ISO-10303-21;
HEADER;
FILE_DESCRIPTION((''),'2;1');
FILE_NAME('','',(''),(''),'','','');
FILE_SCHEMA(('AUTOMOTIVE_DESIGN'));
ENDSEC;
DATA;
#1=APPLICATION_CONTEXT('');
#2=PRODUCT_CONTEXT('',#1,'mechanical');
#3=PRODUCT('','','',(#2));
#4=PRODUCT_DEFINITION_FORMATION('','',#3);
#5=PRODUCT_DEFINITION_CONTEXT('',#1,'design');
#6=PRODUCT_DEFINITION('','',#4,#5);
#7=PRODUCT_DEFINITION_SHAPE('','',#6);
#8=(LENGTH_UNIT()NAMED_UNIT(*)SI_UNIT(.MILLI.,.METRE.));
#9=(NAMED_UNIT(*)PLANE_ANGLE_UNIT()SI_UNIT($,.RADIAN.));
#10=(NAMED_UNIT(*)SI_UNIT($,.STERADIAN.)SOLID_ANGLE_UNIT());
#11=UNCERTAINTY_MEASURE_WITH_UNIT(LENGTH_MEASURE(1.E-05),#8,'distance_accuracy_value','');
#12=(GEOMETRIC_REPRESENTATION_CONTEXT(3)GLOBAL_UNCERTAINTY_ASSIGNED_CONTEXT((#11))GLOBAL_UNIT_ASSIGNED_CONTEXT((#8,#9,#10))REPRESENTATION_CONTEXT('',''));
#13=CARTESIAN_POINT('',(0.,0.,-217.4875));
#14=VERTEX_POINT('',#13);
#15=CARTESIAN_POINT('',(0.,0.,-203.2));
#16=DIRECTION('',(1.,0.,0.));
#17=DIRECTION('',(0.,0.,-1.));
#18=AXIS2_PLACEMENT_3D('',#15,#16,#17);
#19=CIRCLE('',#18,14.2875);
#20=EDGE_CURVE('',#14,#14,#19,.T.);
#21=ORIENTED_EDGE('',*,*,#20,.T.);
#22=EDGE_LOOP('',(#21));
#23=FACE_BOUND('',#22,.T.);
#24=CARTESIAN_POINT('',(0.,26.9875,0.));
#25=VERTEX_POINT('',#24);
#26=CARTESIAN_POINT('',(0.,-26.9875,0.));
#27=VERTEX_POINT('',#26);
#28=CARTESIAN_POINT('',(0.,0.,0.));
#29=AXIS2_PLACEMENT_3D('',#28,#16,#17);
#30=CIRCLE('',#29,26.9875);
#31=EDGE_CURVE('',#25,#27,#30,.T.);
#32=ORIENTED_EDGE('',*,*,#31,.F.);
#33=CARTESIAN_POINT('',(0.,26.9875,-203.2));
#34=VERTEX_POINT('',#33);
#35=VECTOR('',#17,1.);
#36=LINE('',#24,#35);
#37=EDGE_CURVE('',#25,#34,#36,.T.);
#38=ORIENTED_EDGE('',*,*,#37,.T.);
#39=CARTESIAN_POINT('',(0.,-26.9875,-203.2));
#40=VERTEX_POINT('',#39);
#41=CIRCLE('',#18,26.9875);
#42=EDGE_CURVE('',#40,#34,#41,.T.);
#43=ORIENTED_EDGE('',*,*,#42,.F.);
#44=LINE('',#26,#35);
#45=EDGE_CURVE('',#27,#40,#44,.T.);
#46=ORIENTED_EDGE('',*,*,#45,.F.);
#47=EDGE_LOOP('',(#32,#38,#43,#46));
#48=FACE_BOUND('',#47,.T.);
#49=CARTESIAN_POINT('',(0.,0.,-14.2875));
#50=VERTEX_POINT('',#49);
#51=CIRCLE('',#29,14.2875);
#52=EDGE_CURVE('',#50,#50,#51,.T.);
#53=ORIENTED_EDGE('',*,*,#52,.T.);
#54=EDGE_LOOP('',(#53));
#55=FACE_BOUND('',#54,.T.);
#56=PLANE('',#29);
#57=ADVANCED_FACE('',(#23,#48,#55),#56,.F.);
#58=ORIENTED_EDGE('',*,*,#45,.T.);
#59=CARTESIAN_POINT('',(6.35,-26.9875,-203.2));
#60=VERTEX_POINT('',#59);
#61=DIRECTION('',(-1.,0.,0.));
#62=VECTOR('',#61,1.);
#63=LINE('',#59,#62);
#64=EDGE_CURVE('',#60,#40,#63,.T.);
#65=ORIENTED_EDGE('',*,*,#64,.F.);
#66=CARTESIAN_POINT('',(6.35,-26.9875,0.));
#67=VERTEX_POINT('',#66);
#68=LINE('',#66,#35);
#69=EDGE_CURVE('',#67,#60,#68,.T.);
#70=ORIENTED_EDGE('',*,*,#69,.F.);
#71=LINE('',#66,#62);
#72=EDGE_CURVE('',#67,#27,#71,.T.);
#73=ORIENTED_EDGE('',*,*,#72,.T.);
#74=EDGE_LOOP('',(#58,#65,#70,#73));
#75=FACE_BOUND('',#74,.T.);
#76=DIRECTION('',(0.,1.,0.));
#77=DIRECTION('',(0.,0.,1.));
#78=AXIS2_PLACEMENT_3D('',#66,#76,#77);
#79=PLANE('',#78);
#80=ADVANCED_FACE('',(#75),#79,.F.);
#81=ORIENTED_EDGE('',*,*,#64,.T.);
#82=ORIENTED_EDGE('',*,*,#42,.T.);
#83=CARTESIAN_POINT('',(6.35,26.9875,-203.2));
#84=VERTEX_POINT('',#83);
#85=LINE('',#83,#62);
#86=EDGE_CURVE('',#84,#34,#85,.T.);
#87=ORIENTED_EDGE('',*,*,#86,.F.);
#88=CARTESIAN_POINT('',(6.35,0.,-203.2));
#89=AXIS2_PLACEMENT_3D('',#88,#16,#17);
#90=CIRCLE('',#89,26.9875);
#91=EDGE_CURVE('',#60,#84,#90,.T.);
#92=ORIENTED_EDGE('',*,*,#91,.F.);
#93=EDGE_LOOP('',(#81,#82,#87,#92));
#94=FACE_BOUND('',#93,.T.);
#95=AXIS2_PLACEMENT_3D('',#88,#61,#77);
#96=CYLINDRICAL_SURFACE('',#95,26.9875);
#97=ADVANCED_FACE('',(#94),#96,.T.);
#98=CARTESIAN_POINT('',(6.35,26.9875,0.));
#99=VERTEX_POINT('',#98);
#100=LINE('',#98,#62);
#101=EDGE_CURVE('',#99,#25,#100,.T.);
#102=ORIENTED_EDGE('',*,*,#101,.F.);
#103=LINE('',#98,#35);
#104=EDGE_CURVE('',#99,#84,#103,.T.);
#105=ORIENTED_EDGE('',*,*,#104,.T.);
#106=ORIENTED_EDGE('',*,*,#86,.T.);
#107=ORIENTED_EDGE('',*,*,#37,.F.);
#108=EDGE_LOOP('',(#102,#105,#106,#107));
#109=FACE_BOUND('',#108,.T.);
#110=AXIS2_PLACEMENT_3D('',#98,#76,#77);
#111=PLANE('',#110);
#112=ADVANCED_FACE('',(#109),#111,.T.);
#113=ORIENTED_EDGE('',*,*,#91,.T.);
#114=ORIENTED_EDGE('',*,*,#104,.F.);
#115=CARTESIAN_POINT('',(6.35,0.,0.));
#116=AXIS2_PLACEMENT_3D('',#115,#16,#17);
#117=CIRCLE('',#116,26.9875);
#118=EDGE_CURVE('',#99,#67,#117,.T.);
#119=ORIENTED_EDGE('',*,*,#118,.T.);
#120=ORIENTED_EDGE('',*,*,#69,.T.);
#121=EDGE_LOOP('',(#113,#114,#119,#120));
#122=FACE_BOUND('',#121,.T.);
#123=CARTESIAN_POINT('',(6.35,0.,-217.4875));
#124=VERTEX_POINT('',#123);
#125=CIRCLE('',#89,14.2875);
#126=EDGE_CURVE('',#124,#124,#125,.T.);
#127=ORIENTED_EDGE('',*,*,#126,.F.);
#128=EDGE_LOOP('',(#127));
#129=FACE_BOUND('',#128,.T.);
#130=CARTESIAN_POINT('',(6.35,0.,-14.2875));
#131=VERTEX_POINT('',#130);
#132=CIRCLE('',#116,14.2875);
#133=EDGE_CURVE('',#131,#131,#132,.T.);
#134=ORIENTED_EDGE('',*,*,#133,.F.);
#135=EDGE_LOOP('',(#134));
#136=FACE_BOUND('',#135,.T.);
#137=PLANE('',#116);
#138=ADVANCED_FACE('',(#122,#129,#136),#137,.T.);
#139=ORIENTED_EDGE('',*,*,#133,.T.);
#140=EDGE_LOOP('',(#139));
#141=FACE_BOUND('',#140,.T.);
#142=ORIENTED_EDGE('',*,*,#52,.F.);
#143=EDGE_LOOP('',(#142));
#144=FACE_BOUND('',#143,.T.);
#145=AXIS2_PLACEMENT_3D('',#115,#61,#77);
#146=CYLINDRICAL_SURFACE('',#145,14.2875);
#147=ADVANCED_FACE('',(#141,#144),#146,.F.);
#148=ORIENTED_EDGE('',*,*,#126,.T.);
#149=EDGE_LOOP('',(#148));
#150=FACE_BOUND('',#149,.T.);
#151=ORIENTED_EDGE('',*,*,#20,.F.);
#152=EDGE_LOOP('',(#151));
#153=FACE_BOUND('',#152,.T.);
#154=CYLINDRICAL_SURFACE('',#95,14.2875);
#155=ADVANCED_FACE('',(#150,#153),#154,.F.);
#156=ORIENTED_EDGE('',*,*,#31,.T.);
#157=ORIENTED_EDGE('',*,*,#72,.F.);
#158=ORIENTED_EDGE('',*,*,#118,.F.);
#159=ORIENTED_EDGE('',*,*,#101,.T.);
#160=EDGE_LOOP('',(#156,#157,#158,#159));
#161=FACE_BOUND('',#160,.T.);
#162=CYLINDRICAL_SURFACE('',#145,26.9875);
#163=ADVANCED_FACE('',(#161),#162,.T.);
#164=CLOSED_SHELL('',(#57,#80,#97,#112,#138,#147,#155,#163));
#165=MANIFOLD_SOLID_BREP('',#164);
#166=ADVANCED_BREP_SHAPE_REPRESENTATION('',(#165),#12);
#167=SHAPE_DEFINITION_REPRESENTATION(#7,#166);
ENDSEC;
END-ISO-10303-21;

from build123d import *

# Parameters (mm, degrees)
SKETCH1_R           = 14.2875
BOSS_EXTRUDE1_DEPTH = 6.35


with BuildPart() as part:
    # Sketch1 → Boss-Extrude1 (new body)
    with BuildSketch(Plane(origin=(0, 0, 0), x_dir=(0, 0, -1), z_dir=(1, 0, 0))):
        with BuildLine():
            Line((0, 26.9875), (203.2, 26.9875))
            ThreePointArc((203.2, 26.9875), (230.1875, 0), (203.2, -26.9875))
            Line((203.2, -26.9875), (0, -26.9875))
            ThreePointArc((0, -26.9875), (-26.9875, 0), (0, 26.9875))
        make_face()
        Circle(SKETCH1_R, mode=Mode.SUBTRACT)
        with Locations((203.2, 0)):
            Circle(SKETCH1_R, mode=Mode.SUBTRACT)
    extrude(amount=BOSS_EXTRUDE1_DEPTH)


solid = part.part
